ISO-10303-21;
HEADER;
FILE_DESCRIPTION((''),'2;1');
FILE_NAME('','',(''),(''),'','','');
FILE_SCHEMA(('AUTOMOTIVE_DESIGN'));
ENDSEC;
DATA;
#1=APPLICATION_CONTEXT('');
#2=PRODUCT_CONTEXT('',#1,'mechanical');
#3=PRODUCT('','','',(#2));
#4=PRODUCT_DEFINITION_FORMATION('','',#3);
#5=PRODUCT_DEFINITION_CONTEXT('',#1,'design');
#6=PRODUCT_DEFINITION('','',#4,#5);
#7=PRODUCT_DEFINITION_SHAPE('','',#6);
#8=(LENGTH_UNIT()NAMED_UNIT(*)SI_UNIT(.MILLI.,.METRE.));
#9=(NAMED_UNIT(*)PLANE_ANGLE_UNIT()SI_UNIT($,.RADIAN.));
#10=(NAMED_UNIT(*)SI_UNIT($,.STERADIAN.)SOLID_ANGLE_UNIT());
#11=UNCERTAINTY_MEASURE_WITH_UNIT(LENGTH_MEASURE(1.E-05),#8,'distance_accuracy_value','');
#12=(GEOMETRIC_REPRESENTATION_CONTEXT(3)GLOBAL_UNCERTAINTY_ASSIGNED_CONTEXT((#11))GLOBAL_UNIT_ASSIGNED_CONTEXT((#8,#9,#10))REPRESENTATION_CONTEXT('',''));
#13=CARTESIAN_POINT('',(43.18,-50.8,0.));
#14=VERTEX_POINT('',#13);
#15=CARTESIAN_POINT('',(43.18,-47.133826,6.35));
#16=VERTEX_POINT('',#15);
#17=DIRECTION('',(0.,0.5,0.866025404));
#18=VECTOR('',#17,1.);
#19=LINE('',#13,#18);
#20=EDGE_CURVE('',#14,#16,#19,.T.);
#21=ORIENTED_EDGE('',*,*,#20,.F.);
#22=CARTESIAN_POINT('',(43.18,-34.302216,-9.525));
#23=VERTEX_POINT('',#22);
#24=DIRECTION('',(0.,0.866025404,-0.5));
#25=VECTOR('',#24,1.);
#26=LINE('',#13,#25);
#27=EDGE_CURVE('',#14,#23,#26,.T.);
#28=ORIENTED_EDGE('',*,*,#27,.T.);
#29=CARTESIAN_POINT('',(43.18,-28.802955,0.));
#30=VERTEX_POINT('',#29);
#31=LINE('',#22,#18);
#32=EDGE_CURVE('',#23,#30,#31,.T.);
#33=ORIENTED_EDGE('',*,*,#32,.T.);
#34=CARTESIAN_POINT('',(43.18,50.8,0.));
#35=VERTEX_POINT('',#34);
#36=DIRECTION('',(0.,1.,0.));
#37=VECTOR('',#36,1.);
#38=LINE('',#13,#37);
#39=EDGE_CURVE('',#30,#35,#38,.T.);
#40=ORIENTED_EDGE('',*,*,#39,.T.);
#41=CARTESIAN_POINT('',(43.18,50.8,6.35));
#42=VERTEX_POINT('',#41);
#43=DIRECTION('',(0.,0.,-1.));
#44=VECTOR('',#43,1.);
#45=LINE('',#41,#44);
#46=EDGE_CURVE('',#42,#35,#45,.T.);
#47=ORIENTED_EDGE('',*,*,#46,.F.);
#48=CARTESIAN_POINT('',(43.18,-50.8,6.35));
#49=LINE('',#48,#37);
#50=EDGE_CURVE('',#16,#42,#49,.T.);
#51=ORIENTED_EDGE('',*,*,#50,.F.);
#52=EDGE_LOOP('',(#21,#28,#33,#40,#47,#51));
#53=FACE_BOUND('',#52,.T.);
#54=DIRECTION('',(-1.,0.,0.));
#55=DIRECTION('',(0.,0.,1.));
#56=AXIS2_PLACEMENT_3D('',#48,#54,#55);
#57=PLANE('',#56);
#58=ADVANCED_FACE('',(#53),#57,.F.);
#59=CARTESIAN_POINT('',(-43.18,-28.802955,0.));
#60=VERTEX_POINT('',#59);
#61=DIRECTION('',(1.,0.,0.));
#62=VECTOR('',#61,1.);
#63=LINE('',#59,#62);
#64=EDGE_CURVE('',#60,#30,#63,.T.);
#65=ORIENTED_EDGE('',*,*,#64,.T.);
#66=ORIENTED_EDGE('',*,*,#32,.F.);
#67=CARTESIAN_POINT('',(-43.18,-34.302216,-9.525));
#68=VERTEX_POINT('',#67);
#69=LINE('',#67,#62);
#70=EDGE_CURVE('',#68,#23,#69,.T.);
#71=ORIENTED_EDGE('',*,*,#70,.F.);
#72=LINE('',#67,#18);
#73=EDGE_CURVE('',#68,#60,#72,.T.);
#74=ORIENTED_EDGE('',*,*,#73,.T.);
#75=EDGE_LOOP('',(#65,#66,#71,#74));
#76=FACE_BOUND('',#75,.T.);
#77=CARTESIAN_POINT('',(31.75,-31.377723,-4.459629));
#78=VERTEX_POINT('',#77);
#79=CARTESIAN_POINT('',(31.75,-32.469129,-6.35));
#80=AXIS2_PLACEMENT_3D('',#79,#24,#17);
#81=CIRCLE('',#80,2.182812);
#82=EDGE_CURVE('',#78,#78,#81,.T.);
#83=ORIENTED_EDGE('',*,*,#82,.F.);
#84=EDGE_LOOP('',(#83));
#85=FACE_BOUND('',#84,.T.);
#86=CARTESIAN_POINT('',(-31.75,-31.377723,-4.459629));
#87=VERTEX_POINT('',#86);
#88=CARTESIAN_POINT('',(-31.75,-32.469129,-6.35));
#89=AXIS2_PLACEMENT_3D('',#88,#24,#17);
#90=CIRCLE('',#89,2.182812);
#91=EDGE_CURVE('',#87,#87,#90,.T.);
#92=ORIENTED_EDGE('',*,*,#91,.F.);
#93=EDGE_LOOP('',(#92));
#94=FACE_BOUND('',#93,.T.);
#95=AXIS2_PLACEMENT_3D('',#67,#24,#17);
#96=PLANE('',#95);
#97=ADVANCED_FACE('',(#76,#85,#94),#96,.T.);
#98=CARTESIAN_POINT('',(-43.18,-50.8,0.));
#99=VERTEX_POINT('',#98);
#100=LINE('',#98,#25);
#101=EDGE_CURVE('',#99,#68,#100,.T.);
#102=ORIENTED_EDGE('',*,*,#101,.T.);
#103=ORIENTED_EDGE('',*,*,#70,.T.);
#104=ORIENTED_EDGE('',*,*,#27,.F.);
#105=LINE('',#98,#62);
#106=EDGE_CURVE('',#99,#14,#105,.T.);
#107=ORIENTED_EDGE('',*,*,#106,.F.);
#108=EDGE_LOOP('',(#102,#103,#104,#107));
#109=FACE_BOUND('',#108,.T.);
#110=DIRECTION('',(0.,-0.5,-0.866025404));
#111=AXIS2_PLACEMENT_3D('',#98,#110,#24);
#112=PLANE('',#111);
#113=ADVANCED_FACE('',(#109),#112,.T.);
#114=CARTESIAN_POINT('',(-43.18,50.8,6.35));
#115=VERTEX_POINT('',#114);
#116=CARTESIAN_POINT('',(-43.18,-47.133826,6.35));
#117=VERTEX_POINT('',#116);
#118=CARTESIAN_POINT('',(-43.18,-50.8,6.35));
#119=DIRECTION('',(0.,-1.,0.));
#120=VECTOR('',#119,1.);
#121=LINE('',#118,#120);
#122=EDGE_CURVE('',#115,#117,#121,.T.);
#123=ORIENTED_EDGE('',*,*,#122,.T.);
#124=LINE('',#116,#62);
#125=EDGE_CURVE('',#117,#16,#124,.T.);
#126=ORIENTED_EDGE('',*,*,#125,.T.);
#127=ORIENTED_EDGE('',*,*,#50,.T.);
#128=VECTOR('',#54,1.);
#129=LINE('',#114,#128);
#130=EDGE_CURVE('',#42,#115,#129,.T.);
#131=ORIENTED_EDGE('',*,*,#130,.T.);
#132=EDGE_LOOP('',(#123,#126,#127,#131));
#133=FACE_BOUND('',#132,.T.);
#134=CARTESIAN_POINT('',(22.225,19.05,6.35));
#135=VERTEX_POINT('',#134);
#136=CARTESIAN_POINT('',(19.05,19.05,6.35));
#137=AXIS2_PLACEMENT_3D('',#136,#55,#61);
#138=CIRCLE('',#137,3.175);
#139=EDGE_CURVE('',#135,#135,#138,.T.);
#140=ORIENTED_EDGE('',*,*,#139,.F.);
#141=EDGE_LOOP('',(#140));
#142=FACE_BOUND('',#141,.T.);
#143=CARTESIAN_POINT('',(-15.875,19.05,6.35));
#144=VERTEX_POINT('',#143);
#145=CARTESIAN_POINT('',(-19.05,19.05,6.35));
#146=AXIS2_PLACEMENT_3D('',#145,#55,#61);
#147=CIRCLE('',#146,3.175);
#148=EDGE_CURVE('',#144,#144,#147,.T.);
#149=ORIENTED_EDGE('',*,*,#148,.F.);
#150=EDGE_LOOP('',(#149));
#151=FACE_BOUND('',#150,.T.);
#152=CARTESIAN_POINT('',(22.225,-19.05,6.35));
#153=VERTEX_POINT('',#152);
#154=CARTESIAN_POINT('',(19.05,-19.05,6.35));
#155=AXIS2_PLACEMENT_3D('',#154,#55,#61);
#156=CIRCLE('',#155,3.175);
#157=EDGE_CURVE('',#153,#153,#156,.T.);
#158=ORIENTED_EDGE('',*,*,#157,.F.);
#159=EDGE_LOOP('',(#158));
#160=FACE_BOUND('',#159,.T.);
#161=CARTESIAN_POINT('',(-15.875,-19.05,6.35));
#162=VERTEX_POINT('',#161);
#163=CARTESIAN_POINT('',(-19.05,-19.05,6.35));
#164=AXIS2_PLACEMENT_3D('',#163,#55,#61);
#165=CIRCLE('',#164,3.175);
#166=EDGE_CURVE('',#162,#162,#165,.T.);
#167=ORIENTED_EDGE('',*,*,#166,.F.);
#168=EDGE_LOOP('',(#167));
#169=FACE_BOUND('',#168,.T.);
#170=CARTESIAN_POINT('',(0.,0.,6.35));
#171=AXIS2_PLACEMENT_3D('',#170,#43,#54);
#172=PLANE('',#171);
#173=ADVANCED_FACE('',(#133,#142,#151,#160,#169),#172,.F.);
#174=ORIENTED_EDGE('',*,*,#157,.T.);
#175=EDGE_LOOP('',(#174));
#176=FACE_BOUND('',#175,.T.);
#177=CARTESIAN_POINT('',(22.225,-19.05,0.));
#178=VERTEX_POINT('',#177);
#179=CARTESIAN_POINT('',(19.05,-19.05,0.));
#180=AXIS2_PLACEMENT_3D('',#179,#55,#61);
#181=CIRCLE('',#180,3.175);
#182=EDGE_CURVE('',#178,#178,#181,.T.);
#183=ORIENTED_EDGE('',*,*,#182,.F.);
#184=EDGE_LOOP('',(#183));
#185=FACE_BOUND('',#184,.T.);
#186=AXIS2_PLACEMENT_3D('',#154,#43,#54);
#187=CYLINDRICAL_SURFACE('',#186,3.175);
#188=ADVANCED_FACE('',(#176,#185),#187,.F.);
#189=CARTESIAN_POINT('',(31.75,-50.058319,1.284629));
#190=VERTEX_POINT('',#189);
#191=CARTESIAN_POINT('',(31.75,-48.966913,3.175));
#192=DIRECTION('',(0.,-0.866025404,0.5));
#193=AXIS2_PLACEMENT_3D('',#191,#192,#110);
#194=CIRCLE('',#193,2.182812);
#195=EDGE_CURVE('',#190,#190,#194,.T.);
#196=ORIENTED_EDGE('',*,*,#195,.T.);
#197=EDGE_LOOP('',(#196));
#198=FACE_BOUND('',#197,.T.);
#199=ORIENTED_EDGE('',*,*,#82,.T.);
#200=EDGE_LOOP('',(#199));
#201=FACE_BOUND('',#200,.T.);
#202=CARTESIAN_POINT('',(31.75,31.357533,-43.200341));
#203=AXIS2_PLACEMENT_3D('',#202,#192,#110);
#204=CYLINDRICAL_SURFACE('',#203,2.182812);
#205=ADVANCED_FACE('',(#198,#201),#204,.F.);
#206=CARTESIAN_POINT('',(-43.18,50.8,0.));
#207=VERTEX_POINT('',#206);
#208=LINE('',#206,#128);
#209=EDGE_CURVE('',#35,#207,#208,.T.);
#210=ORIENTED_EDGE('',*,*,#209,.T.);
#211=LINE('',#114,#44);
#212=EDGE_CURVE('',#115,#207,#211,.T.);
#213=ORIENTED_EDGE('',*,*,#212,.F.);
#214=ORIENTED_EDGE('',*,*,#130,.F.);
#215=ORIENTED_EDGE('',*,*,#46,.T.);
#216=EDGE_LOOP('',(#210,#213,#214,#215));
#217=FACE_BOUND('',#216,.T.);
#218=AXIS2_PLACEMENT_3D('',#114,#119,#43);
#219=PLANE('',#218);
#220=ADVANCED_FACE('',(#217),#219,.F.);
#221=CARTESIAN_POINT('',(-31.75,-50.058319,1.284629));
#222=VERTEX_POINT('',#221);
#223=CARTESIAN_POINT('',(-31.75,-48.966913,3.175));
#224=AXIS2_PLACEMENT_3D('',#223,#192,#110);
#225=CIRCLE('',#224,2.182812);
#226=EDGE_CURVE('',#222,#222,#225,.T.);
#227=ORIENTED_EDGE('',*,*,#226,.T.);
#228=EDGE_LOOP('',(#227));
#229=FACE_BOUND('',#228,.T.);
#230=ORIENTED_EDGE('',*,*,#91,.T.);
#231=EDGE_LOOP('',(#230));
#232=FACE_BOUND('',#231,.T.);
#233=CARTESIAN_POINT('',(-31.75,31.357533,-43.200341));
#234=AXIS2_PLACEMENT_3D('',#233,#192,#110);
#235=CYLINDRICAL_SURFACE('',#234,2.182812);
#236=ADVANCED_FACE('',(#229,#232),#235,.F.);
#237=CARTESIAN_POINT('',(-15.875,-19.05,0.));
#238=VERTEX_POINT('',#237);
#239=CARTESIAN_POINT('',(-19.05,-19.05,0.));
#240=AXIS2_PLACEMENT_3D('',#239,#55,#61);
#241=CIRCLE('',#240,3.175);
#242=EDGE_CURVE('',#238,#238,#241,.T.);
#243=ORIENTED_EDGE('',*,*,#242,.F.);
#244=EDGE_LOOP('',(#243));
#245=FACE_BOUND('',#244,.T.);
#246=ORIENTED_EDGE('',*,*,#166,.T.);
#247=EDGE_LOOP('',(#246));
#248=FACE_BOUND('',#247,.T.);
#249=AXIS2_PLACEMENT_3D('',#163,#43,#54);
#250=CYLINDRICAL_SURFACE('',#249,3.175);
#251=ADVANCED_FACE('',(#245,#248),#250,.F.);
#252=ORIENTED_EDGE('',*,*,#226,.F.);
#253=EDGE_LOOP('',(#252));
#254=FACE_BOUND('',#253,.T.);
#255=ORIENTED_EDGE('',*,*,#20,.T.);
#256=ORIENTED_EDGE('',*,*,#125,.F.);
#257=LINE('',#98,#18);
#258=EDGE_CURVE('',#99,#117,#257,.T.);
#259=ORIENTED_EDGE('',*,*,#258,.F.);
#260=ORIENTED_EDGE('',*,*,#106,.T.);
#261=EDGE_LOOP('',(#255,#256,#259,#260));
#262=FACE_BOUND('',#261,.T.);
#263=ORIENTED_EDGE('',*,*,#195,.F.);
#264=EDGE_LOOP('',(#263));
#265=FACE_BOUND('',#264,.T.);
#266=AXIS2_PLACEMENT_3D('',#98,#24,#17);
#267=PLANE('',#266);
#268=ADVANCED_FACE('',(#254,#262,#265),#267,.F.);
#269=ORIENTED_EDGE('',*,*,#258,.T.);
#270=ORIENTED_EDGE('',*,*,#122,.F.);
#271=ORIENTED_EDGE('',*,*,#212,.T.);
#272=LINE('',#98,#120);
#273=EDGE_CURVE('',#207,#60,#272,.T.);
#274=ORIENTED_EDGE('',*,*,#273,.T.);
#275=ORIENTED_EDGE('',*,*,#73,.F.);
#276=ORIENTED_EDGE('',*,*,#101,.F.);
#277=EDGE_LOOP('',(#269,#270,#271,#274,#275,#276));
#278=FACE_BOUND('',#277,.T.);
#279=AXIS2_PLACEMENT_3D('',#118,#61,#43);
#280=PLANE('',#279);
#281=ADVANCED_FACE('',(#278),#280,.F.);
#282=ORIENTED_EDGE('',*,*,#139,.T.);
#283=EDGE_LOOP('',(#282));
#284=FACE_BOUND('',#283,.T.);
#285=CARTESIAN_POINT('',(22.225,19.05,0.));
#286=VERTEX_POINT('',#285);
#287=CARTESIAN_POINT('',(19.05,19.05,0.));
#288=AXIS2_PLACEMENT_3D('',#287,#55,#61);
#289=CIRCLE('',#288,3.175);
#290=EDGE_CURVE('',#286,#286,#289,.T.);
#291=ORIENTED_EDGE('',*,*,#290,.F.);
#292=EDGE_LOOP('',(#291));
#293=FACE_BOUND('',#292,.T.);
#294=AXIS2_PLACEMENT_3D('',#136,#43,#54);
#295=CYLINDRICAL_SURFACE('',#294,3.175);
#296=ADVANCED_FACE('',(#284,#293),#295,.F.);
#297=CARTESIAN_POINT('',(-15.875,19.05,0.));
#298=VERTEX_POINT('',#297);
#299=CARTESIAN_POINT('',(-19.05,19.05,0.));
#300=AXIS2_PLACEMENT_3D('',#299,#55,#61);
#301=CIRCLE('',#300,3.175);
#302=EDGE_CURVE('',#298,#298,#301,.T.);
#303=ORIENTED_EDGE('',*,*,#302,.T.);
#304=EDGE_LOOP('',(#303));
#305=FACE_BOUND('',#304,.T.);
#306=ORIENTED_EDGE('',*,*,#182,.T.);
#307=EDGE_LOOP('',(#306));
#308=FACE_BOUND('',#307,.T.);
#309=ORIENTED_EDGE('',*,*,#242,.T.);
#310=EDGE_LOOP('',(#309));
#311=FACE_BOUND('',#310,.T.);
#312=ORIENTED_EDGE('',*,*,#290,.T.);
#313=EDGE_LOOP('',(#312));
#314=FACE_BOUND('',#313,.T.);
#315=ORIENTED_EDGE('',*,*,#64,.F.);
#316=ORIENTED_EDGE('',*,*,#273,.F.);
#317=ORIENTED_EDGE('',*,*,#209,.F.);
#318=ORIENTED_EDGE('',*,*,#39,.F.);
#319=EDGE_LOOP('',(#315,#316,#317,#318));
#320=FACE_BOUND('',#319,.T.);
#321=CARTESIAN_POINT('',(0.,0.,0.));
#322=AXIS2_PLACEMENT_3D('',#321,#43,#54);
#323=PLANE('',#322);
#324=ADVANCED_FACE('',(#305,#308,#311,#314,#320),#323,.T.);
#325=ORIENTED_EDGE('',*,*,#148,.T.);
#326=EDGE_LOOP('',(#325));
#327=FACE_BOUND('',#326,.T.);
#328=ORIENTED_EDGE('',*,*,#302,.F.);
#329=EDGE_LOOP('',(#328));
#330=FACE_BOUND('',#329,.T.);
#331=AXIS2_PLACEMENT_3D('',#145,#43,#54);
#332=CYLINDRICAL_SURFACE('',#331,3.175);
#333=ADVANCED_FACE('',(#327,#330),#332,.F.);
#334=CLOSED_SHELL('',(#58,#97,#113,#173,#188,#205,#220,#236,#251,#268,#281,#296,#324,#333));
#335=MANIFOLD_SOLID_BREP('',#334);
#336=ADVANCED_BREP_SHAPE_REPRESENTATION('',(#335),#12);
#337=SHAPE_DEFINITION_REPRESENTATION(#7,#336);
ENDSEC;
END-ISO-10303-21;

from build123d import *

# Parameters (mm, degrees)
SKETCH1_W           = 86.36
SKETCH1_H           = 101.6
SKETCH1_R           = 3.175
BOSS_EXTRUDE1_DEPTH = 6.35
CUT_EXTRUDE1_DEPTH  = 101.394283204
BOSS_EXTRUDE2_DEPTH = 86.36
SKETCH4_R           = 2.1828125
CUT_EXTRUDE2_DEPTH  = 104.736983459


with BuildPart() as part:
    # Sketch1 → Boss-Extrude1 (new body)
    with BuildSketch(Plane.XY):
        Rectangle(SKETCH1_W, SKETCH1_H)
        with Locations((-19.05, 19.05)):
            Circle(SKETCH1_R, mode=Mode.SUBTRACT)
        with Locations((19.05, 19.05)):
            Circle(SKETCH1_R, mode=Mode.SUBTRACT)
        with Locations((-19.05, -19.05)):
            Circle(SKETCH1_R, mode=Mode.SUBTRACT)
        with Locations((19.05, -19.05)):
            Circle(SKETCH1_R, mode=Mode.SUBTRACT)
    extrude(amount=BOSS_EXTRUDE1_DEPTH)

    # Sketch2 → Cut-Extrude1 (cut, through all)
    with BuildSketch(Plane(origin=(43.18, 0, 0), x_dir=(0, 0, -1), z_dir=(1, 0, 0))):
        Polygon((0, -50.8), (-6.35, -47.133825791), (-6.35, -50.8), align=None)
    extrude(amount=-CUT_EXTRUDE1_DEPTH, mode=Mode.SUBTRACT)

    # Sketch3 → Boss-Extrude2 (add, through all)
    with BuildSketch(Plane(origin=(43.18, 0, 0), x_dir=(0, 0, -1), z_dir=(1, 0, 0))):
        Polygon((0, -50.8), (9.525, -34.302216058), (0, -28.802954744), align=None)
    extrude(amount=-BOSS_EXTRUDE2_DEPTH)

    # Sketch4 → Cut-Extrude2 (cut, through all)
    with BuildSketch(Plane(origin=(0, -38.1, 21.997045256), x_dir=(-1, 0, 0), z_dir=(0, -0.8660254037844419, 0.4999999999999946))):
        with Locations(Location((31.75, 21.733825791, 0), (0, 0, 90))):
            Circle(SKETCH4_R)
        with Locations(Location((-31.75, 21.733825791, 0), (0, 0, 90))):
            Circle(SKETCH4_R)
    extrude(amount=-CUT_EXTRUDE2_DEPTH, mode=Mode.SUBTRACT)


solid = part.part
